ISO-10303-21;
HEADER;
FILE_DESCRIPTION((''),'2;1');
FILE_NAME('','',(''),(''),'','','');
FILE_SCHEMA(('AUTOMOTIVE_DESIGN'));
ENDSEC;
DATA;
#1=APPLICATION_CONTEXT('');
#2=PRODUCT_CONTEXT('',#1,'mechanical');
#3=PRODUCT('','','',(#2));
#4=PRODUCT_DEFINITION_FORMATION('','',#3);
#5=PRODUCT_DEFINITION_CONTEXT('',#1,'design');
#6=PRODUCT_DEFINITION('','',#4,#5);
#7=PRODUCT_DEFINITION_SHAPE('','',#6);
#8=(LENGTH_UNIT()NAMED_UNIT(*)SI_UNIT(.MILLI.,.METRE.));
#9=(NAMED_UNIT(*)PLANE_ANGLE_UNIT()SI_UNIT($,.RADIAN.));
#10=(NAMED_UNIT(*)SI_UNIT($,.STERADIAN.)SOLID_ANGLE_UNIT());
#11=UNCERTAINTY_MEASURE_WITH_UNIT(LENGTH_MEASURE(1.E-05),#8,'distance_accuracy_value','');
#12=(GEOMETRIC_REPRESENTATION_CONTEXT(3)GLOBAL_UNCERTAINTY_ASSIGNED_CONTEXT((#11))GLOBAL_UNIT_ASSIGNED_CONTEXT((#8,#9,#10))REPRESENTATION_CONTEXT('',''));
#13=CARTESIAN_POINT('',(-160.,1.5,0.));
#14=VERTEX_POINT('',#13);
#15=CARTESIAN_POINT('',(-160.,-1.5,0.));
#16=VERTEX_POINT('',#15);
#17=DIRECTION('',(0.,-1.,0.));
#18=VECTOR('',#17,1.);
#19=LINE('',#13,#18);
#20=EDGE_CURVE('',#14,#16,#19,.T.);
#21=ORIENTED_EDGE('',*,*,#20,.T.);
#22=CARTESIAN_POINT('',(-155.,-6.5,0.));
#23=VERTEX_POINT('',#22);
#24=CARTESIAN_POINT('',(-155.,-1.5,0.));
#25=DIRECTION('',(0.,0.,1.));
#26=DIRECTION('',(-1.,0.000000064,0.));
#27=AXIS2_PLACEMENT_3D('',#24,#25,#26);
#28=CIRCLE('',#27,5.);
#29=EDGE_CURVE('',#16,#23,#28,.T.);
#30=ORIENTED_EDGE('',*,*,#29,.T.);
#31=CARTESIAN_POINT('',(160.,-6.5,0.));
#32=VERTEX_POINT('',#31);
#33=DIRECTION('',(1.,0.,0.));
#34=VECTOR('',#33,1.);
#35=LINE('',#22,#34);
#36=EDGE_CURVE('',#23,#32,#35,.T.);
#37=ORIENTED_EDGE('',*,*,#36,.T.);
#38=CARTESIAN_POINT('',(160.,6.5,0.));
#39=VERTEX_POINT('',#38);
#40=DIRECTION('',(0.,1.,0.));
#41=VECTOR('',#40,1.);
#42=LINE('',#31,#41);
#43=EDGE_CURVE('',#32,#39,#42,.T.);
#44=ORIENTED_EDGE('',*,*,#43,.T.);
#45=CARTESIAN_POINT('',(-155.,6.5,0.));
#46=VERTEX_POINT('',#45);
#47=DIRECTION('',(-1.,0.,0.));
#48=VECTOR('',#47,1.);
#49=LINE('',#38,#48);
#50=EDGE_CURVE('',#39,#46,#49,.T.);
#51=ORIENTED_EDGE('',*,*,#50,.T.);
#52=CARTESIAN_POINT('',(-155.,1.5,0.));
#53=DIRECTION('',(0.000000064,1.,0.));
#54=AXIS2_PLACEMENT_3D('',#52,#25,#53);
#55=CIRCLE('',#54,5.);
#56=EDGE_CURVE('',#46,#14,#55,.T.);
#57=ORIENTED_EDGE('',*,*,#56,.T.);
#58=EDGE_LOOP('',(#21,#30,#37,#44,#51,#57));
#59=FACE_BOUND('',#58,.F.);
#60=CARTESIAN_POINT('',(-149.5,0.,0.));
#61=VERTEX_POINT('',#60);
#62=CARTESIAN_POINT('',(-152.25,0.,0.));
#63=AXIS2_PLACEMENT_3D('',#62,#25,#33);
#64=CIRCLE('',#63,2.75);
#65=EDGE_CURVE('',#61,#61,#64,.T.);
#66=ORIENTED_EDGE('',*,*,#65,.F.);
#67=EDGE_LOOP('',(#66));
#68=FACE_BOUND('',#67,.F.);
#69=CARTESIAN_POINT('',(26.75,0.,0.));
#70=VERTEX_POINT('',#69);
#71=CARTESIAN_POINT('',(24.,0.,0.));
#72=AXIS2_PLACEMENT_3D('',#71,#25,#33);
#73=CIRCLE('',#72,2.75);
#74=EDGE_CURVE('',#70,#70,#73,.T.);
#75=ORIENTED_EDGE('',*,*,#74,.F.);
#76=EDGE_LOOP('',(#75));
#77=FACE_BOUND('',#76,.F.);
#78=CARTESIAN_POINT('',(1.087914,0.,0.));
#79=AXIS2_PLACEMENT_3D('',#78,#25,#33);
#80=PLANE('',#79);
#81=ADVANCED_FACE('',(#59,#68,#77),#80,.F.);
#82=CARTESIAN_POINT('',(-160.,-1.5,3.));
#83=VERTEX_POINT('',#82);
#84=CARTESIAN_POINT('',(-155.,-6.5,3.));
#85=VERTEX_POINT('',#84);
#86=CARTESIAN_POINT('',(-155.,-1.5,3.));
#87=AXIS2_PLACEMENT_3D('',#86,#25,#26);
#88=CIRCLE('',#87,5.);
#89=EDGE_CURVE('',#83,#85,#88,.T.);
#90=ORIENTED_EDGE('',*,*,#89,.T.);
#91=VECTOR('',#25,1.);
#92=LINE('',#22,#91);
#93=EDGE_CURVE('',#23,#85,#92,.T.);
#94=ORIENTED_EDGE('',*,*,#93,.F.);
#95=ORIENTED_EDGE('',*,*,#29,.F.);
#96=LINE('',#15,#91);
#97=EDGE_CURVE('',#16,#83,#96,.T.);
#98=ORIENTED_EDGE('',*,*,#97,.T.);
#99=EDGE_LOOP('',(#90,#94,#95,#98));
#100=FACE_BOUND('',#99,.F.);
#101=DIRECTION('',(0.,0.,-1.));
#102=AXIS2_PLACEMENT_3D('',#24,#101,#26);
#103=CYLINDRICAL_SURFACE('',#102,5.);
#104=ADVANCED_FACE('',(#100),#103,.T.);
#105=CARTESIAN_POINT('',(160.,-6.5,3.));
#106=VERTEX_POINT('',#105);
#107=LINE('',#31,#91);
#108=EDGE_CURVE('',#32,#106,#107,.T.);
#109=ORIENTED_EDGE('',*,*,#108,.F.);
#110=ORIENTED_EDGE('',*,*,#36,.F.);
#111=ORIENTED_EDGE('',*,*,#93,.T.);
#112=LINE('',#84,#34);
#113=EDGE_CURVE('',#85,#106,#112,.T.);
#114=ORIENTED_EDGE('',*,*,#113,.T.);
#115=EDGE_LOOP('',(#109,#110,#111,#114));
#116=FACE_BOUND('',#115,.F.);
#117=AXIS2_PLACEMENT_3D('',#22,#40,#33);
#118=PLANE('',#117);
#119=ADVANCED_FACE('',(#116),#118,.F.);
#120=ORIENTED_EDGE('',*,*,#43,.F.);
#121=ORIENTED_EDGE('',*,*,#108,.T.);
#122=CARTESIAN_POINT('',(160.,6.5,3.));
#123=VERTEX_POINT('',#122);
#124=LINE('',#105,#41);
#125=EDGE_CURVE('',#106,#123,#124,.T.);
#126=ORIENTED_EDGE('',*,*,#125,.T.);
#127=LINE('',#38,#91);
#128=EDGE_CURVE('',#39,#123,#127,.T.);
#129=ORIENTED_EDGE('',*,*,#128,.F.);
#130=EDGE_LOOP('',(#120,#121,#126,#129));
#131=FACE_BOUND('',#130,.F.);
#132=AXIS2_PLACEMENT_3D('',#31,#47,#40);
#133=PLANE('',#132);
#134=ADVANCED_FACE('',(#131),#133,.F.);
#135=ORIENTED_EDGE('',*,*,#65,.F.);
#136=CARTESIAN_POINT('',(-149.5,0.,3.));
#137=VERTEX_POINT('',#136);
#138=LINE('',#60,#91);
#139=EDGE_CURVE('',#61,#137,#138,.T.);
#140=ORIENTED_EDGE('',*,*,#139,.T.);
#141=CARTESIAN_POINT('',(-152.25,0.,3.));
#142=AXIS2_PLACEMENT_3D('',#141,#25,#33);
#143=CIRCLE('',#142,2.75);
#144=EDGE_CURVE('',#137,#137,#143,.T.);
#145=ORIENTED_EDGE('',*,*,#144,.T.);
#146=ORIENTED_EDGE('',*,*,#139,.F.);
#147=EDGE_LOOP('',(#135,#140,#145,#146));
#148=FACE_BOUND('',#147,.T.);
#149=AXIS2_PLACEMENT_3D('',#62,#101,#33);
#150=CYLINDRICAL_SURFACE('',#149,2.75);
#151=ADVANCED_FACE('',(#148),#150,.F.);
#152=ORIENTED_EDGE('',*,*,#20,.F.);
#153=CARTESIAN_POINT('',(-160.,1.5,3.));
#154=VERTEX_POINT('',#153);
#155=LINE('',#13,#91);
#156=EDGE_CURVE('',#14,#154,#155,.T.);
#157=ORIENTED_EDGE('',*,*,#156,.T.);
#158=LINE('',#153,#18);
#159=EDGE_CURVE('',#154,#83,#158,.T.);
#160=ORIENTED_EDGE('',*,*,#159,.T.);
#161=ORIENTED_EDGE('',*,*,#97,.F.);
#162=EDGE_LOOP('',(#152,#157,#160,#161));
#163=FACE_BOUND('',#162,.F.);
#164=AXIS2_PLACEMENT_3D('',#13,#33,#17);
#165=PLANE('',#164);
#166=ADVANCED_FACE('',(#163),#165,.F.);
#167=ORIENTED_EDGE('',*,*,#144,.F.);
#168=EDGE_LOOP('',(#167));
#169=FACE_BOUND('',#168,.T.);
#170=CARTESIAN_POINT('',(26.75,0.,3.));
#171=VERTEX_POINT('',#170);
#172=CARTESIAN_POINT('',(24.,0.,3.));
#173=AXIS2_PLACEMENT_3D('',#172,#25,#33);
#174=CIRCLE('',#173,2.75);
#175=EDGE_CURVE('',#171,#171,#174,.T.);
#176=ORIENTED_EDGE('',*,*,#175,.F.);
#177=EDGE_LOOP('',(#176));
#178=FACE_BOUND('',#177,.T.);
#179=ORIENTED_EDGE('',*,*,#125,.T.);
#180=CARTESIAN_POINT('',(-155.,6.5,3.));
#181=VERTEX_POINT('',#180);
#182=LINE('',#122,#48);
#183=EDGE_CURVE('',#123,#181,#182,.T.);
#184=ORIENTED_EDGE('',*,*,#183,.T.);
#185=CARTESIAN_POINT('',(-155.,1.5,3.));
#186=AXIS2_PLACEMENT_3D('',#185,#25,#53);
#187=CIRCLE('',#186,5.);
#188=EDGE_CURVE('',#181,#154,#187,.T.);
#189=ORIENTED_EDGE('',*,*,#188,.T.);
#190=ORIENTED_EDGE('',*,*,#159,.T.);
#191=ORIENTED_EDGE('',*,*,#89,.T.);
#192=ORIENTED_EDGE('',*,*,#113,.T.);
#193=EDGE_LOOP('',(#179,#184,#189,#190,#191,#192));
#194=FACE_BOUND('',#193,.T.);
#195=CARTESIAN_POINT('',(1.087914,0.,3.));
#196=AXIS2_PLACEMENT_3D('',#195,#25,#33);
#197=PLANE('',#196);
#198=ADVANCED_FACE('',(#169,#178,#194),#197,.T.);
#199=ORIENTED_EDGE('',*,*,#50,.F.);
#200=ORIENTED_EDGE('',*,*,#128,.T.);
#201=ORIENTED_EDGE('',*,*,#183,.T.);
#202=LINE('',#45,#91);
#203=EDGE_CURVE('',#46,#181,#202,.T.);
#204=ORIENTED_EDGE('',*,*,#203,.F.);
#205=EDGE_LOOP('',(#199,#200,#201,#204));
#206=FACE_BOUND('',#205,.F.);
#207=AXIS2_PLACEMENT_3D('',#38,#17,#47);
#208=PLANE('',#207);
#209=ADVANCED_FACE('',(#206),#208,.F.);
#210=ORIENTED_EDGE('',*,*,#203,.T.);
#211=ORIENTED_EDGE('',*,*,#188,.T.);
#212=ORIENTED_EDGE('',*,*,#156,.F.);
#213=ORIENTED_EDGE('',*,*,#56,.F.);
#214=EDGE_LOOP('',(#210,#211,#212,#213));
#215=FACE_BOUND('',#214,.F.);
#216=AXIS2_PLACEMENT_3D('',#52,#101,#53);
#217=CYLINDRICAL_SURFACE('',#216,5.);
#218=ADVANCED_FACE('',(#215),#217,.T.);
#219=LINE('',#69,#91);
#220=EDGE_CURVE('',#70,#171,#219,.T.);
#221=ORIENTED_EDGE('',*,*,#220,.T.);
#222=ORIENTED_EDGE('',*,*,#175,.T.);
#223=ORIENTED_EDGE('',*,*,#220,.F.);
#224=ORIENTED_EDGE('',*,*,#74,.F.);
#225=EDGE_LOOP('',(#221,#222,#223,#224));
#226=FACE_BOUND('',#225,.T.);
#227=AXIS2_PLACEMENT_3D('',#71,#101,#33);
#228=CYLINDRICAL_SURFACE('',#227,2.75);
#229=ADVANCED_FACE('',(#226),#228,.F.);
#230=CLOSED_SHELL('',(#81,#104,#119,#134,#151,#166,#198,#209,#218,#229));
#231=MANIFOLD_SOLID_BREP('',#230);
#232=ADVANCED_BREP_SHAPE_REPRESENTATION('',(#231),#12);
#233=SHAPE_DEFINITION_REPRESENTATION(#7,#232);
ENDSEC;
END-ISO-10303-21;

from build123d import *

# Parameters (mm, degrees)
F0_R     = 2.75
F1_DEPTH = 3


with BuildPart() as f1:
    # F0 (on Top) → F1 (new body)
    with BuildSketch(Plane.XY):
        with BuildLine():
            Line((-155, -6.5), (160, -6.5))
            Line((160, -6.5), (160, 6.5))
            Line((160, 6.5), (-155, 6.5))
            ThreePointArc((-155, 6.5), (-158.535534, 5.035534), (-160, 1.5))
            Line((-160, 1.5), (-160, -1.5))
            ThreePointArc((-160, -1.5), (-158.535534, -5.035534), (-155, -6.5))
        make_face()
        with Locations((-152.25, 0)):
            Circle(F0_R, mode=Mode.SUBTRACT)
        with Locations((24, 0)):
            Circle(F0_R, mode=Mode.SUBTRACT)
    extrude(amount=F1_DEPTH)


solid = f1.part
